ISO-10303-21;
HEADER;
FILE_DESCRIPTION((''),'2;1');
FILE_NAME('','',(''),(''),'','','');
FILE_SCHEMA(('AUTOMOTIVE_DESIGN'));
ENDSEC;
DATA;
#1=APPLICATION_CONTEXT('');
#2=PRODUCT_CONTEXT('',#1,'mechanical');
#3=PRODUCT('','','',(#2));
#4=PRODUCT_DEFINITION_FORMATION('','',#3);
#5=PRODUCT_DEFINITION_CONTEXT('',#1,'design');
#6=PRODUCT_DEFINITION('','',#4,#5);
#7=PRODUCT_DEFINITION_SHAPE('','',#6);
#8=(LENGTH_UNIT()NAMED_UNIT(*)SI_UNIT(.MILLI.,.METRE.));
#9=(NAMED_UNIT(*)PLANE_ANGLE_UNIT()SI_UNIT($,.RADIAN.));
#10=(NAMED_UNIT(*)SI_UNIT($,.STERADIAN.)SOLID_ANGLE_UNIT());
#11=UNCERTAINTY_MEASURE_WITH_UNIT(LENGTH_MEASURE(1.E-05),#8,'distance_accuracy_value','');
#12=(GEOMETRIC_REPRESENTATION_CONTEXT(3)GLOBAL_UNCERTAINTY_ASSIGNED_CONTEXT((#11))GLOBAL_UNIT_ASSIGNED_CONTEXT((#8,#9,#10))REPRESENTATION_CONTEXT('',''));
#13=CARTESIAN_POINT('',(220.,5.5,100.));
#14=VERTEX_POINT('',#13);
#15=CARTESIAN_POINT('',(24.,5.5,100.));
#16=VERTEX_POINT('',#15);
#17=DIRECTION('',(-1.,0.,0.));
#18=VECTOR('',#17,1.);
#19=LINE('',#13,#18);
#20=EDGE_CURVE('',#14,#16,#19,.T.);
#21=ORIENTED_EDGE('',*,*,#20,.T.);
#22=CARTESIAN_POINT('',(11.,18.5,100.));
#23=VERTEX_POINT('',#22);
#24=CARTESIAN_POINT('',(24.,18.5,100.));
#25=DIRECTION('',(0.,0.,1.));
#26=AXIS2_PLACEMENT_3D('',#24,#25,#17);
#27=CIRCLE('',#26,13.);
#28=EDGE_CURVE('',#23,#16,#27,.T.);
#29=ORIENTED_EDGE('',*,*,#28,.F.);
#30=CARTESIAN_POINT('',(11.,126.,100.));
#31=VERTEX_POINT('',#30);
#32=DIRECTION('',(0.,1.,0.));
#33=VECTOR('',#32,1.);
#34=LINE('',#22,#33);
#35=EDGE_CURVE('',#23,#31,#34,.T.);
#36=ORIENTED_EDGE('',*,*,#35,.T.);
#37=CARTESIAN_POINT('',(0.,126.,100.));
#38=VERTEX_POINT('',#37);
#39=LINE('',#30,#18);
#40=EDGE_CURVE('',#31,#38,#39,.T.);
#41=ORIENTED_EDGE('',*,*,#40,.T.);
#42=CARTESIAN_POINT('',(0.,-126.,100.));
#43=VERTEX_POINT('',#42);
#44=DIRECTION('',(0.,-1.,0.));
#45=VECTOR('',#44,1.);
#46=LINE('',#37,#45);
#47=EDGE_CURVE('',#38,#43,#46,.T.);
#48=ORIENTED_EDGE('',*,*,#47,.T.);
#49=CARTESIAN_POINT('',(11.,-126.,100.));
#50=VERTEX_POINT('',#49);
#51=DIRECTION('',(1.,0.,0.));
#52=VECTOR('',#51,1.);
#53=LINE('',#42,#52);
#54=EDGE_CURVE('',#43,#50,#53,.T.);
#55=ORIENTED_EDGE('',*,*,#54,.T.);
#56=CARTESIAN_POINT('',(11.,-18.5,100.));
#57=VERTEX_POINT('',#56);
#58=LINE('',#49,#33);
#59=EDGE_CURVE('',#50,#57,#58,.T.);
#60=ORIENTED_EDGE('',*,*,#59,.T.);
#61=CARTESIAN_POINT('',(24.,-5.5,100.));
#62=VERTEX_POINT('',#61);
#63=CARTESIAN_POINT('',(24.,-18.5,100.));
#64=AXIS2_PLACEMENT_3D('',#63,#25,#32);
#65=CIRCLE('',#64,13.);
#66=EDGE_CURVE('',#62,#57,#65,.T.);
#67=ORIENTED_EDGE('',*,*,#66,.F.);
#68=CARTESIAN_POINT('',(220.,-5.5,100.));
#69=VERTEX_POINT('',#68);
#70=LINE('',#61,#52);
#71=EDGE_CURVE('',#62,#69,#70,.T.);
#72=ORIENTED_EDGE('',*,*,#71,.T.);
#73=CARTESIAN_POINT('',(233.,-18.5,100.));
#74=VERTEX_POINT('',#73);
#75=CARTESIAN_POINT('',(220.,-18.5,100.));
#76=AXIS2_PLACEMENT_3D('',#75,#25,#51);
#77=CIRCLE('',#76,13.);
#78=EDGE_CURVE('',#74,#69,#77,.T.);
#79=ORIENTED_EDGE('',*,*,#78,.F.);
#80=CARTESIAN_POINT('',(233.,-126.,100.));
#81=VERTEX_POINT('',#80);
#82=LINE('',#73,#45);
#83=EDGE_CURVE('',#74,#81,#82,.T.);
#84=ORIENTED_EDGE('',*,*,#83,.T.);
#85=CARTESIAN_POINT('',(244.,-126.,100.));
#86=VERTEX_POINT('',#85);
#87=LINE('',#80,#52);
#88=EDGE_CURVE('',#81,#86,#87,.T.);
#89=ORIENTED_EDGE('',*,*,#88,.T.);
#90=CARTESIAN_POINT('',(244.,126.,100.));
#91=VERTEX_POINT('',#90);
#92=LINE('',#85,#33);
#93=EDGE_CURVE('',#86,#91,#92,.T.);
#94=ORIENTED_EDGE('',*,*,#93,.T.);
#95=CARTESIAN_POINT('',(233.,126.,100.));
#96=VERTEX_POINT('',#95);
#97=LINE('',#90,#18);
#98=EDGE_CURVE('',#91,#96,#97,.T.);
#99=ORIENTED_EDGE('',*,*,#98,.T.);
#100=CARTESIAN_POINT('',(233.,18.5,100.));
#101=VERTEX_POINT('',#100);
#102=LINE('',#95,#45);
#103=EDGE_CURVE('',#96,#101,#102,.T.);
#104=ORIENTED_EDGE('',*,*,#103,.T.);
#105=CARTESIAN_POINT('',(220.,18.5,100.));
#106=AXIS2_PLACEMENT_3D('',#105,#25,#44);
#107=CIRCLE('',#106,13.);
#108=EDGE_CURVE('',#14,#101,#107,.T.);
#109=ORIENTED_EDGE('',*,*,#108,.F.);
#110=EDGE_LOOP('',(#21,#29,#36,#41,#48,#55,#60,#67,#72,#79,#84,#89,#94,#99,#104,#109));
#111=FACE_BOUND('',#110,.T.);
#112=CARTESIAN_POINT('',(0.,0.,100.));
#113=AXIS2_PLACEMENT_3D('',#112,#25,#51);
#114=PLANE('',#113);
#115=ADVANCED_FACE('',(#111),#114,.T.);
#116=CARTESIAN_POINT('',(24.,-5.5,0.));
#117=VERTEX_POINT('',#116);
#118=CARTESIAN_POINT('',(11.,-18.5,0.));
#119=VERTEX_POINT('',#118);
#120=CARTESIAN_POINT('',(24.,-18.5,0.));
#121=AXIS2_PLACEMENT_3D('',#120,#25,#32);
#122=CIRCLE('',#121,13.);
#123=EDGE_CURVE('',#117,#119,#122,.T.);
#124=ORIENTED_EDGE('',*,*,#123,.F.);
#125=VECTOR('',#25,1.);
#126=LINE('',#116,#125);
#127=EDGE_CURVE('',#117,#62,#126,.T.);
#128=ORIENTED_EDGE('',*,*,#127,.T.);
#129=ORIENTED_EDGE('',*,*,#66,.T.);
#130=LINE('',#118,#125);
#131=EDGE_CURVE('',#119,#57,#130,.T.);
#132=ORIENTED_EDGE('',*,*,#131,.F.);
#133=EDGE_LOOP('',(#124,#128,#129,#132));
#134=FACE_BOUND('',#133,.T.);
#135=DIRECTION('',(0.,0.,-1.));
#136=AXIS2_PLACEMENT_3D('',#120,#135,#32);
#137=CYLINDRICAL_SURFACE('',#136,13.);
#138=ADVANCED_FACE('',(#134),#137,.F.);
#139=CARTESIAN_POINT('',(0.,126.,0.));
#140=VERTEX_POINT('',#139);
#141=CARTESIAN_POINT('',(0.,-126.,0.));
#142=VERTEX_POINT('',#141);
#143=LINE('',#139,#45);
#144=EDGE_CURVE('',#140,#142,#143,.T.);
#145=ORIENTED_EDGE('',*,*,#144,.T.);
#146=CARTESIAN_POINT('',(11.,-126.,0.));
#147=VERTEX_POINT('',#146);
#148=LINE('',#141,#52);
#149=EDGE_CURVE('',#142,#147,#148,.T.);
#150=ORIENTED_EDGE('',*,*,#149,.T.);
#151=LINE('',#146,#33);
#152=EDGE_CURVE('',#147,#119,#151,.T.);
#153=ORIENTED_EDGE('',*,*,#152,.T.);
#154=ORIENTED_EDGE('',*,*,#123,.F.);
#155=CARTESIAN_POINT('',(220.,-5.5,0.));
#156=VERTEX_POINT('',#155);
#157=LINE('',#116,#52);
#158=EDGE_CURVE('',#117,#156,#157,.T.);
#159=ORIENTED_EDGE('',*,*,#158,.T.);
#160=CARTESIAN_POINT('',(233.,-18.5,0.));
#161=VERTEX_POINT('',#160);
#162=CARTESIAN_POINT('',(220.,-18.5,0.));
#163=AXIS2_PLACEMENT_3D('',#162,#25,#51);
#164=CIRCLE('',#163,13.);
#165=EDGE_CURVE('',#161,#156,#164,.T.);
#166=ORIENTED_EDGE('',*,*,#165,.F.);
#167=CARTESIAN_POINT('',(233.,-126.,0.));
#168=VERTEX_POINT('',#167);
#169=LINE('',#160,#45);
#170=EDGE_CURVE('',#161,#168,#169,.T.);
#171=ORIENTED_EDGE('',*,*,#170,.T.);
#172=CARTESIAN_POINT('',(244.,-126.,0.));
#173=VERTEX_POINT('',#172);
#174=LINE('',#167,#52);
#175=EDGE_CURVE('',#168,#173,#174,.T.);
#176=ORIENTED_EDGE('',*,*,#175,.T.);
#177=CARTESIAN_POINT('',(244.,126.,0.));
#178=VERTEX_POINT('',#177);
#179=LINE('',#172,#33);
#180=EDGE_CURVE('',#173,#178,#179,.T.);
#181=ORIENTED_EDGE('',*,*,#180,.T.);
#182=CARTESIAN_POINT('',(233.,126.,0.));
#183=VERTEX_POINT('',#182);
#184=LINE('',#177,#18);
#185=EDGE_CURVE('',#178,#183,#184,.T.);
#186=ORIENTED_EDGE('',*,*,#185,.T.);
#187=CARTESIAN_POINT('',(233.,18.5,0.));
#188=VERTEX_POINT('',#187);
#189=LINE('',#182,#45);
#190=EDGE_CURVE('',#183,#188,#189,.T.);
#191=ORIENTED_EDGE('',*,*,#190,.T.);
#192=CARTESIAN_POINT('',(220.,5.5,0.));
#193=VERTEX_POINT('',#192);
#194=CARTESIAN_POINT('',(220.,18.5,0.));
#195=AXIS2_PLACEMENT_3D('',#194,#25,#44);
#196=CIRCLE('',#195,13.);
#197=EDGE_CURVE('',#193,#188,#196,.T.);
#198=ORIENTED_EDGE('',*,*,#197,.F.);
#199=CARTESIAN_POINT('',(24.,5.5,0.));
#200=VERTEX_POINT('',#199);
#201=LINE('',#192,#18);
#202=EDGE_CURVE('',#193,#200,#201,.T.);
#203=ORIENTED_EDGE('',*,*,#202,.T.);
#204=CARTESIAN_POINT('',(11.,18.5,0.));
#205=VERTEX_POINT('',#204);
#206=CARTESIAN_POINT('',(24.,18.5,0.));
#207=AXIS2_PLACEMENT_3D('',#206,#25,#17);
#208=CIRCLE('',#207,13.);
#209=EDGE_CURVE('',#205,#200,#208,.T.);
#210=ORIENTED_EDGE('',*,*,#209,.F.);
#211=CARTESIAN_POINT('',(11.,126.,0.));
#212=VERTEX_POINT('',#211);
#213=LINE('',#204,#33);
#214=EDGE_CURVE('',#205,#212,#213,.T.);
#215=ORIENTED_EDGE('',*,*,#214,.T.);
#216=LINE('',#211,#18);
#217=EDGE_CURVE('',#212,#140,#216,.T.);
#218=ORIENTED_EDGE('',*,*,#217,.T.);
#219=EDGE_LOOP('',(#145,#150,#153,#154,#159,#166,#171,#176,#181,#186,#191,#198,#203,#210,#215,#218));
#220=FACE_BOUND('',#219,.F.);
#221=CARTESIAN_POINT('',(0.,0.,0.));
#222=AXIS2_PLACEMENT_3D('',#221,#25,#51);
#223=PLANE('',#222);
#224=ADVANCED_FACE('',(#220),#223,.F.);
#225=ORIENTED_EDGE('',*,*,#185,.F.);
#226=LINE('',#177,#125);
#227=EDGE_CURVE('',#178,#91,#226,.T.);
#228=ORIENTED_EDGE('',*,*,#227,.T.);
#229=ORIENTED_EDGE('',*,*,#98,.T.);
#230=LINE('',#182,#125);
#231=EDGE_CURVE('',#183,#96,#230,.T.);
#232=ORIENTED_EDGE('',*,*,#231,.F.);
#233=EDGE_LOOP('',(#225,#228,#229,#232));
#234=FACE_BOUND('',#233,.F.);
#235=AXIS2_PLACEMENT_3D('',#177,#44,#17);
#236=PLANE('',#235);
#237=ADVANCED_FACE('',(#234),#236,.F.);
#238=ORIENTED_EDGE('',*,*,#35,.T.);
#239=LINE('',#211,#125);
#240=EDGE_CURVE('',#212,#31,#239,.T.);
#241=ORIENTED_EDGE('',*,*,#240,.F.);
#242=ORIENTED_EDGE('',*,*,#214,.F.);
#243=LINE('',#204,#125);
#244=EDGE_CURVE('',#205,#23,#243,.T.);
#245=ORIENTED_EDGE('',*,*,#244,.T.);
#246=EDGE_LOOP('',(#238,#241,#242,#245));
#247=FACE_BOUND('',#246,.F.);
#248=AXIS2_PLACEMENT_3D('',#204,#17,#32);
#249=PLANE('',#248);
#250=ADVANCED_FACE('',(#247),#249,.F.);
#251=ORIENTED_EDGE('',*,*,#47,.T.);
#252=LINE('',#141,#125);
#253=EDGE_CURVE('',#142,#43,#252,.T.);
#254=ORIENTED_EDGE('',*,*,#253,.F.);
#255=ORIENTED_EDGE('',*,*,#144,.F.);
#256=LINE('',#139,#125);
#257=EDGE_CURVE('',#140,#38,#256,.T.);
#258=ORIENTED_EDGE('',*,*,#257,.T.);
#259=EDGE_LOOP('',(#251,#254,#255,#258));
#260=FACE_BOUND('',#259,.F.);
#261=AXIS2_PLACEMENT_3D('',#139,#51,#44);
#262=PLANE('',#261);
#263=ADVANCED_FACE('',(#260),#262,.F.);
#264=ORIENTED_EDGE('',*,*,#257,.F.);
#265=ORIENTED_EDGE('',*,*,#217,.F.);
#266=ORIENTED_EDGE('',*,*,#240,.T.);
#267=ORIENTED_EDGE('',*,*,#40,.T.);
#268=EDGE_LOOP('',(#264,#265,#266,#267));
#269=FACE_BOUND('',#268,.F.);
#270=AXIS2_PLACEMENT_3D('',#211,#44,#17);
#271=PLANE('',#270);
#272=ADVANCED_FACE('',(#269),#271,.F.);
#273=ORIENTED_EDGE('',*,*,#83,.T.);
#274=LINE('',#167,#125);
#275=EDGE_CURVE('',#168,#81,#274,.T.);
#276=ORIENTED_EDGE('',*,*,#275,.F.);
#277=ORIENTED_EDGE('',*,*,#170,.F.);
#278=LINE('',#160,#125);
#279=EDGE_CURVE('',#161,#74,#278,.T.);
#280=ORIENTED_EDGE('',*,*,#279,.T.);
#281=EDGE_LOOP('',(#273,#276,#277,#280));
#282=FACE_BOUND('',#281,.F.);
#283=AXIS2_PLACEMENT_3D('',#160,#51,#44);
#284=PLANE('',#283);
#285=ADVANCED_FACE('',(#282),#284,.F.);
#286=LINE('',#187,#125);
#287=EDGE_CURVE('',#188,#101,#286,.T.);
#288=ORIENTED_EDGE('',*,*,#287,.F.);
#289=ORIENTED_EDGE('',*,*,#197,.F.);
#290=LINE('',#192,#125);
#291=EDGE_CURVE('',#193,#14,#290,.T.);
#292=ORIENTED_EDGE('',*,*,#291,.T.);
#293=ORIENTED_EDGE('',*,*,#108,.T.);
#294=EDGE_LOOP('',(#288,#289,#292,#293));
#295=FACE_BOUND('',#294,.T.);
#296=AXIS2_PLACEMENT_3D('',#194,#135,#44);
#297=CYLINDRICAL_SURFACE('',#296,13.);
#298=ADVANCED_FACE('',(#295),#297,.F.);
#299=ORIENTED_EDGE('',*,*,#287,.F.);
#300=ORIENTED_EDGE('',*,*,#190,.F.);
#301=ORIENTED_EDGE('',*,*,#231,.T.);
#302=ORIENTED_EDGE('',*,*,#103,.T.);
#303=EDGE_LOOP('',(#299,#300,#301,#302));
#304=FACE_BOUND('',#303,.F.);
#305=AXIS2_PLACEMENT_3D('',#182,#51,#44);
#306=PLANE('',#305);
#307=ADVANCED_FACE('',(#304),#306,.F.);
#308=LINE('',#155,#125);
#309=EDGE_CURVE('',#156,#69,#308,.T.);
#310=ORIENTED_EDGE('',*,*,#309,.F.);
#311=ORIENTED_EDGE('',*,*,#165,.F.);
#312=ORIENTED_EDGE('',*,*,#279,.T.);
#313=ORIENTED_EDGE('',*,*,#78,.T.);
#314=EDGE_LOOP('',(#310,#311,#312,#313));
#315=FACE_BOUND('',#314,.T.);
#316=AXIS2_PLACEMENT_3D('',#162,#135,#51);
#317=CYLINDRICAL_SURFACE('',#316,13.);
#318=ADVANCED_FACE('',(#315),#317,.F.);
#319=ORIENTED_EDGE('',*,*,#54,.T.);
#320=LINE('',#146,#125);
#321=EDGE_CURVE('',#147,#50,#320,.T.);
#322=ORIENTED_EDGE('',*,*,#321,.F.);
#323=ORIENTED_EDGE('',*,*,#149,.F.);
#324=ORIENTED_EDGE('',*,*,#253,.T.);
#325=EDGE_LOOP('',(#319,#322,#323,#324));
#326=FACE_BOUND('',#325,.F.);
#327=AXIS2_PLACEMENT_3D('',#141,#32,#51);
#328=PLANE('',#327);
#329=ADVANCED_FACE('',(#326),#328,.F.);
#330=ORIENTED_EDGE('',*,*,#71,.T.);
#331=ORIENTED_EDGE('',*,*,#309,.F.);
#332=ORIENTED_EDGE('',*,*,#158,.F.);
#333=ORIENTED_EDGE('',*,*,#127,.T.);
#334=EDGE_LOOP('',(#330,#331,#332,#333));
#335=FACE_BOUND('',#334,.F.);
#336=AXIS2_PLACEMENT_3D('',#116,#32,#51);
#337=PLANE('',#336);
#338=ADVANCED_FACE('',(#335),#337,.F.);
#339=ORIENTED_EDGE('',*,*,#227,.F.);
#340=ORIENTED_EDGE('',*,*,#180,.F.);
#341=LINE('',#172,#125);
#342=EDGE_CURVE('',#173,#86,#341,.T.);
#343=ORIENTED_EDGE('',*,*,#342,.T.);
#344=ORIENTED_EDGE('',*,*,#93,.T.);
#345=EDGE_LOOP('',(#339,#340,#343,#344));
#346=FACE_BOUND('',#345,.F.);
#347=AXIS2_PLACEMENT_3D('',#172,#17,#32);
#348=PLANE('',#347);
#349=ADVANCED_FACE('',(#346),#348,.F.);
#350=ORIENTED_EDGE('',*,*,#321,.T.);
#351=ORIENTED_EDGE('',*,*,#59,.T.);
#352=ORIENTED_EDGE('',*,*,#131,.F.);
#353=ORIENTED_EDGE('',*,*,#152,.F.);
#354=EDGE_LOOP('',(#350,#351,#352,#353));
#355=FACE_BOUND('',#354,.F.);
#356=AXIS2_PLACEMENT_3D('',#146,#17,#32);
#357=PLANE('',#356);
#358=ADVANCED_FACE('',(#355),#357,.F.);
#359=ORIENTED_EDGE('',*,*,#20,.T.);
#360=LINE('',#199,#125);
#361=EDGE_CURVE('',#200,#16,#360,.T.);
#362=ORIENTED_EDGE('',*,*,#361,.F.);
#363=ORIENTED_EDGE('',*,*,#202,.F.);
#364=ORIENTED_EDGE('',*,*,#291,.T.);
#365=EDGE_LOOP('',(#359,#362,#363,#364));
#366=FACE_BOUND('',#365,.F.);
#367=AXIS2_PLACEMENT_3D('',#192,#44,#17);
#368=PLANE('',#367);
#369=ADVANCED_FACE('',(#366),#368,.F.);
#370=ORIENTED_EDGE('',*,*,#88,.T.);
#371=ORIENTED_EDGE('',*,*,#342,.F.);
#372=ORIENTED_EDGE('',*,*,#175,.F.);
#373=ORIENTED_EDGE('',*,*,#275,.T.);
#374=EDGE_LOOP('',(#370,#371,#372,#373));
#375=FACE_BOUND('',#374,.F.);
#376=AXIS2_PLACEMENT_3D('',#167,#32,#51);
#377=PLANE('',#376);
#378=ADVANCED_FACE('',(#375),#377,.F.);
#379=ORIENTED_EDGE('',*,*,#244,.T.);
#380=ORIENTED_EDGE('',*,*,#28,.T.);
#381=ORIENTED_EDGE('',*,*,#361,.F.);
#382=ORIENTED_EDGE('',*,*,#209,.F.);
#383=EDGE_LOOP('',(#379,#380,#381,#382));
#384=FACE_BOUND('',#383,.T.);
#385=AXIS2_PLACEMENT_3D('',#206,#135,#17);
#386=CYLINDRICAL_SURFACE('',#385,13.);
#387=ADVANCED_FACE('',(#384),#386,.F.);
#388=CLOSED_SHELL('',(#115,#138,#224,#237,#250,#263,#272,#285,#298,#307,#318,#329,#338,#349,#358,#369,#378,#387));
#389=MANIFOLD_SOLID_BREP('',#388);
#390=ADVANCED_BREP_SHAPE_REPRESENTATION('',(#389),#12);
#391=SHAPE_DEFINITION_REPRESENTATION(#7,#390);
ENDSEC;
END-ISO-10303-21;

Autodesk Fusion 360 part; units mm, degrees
sketch "スケッチ1" plane through (0, 0, 0) normal (0, 0, 1) x (1, 0, 0)
  line L0 (0, 126) -> (0, -126)
  line L1 (244, -126) -> (244, 126)
  line L2 (233, -18.5) -> (233, -126)
  line L3 (11, -126) -> (11, -18.5)
  line L4 (0, -126) -> (11, -126)
  line L5 (233, -126) -> (244, -126)
  line L6 (220, 5.5) -> (24, 5.5)
  line L7 (24, -5.5) -> (220, -5.5)
  line L8 (11, 18.5) -> (11, 126)
  line L9 (11, 126) -> (0, 126)
  line L10 (233, 126) -> (233, 18.5)
  line L11 (244, 126) -> (233, 126)
  arc A0 (24, -5.5) -> (11, -18.5) centre (24, -18.5) ccw
  arc A1 (11, 18.5) -> (24, 5.5) centre (24, 18.5) ccw
  arc A2 (220, 5.5) -> (233, 18.5) centre (220, 18.5) ccw
  arc A3 (233, -18.5) -> (220, -5.5) centre (220, -18.5) ccw
extrude "押し出し1" add sketch "スケッチ1" along normal blind 100
